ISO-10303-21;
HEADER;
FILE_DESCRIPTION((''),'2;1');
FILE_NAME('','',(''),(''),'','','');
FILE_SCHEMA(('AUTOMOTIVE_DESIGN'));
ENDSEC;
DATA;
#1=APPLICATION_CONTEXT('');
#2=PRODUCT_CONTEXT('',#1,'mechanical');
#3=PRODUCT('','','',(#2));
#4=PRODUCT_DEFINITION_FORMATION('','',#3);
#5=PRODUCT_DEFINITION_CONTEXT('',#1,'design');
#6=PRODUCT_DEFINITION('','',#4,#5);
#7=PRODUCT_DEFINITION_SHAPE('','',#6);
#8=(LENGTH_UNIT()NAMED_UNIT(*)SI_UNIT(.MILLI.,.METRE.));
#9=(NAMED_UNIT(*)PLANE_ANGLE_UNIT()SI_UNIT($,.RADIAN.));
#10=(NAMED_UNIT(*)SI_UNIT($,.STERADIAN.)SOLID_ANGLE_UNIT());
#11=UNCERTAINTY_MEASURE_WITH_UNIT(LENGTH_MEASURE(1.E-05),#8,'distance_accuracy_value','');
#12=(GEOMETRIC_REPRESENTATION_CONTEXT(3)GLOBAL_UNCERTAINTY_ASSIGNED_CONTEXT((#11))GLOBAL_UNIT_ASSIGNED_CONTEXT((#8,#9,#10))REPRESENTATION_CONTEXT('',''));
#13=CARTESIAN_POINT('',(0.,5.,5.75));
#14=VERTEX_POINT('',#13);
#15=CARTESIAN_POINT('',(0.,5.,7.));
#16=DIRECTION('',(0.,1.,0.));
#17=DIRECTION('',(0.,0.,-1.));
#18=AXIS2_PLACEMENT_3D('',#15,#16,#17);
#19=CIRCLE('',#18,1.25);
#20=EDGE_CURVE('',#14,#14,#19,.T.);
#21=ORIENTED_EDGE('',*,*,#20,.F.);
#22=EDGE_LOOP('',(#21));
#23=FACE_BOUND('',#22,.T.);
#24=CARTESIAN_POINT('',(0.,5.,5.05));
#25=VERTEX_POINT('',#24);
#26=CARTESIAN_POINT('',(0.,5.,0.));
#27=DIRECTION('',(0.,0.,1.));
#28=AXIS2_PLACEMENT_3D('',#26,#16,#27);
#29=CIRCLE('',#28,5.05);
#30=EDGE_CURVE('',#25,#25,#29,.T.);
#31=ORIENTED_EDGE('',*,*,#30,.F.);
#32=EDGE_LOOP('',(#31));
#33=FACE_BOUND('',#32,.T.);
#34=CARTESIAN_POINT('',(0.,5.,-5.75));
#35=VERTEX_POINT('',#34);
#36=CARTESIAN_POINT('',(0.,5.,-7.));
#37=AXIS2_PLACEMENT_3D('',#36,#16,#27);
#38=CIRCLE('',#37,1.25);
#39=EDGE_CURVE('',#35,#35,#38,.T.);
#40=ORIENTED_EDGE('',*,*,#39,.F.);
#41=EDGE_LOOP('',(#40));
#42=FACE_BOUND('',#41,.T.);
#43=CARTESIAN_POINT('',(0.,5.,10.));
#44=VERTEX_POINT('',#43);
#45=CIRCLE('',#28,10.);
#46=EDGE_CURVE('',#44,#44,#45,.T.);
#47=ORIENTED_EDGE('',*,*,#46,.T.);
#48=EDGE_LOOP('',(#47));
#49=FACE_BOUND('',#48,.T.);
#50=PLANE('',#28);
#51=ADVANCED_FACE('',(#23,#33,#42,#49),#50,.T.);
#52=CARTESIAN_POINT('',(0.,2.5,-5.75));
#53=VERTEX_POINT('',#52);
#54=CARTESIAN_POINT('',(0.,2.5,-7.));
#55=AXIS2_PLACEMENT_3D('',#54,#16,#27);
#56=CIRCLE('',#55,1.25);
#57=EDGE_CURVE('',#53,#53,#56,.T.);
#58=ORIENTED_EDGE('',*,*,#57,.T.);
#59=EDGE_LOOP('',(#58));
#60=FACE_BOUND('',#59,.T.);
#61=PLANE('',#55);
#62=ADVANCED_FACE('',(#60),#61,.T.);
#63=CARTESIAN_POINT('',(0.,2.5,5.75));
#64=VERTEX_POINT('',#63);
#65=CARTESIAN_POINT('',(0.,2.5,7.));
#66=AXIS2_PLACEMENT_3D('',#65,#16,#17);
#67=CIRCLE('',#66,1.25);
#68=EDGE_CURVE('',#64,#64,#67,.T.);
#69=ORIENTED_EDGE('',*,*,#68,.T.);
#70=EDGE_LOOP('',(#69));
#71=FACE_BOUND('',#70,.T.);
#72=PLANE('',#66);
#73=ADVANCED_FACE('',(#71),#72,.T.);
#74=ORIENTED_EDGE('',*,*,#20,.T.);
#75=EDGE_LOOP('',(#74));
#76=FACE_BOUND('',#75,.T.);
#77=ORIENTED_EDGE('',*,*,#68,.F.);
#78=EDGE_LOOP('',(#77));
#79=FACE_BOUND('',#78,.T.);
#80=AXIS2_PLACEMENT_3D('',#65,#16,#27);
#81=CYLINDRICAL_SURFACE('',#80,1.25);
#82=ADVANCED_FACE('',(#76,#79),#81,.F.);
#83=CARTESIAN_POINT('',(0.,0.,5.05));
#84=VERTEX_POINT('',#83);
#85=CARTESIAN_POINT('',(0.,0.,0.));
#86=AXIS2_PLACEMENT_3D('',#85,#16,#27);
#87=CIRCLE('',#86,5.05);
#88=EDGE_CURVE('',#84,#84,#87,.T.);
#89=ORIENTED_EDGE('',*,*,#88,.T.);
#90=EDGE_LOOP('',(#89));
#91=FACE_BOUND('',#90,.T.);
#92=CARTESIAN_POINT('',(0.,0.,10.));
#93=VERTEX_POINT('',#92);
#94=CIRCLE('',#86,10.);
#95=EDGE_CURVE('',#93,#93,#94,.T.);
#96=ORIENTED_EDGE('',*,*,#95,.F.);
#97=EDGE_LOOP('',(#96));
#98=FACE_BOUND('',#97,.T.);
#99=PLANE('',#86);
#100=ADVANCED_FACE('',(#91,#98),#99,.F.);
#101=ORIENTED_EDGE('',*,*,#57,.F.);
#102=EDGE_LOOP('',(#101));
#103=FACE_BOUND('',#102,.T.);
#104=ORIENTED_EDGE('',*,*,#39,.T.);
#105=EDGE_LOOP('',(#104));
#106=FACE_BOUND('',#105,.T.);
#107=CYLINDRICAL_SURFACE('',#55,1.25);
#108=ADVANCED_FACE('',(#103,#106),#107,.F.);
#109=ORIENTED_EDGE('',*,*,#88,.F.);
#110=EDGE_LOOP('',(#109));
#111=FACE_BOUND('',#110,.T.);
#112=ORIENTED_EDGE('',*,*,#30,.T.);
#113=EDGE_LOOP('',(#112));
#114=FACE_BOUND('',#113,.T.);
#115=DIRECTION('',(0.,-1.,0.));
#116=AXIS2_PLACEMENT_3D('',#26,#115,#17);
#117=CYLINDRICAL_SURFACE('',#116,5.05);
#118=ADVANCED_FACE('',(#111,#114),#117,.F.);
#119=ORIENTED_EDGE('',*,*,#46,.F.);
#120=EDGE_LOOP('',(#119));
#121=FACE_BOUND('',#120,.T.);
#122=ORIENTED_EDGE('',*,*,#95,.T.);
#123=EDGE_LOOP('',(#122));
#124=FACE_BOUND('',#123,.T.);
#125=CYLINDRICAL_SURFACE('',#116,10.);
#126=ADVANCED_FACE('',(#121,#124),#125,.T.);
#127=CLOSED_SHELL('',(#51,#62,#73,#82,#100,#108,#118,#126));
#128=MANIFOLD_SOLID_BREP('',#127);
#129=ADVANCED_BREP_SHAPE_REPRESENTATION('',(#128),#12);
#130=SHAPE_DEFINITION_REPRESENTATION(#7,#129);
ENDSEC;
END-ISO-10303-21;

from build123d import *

# Parameters (mm, degrees)
SKETCH1_R           = 10
SKETCH1_R_2         = 5.05
BOSS_EXTRUDE1_DEPTH = 5
SKETCH2_R           = 1.25
CUT_EXTRUDE1_DEPTH  = 2.5
CIRPATTERN1_COUNT   = 2


with BuildPart() as part:
    # Sketch1 → Boss-Extrude1 (new body)
    with BuildSketch(Plane(origin=(0, 0, 0), x_dir=(1, 0, 0), z_dir=(0, 1, 0))):
        with Locations(Location((0, 0, 0), (0, 0, 270))):
            Circle(SKETCH1_R)
        with Locations(Location((0, 0, 0), (0, 0, 270))):
            Circle(SKETCH1_R_2, mode=Mode.SUBTRACT)
    extrude(amount=BOSS_EXTRUDE1_DEPTH)

    # Sketch2 → Cut-Extrude1 (cut)
    with BuildSketch(Plane(origin=(0, 5, 0), x_dir=(1, 0, 0), z_dir=(0, 1, 0))):
        with Locations(Location((0, 7, 0), (0, 0, 270))):
            Circle(SKETCH2_R)
    cut_extrude1 = extrude(amount=-CUT_EXTRUDE1_DEPTH, mode=Mode.SUBTRACT)

    # CirPattern1: Cut-Extrude1 ×2 about axis
    cirpattern1_axis = Axis((0, 0, 0), (0, 1, 0))
    for i in range(1, CIRPATTERN1_COUNT):
        add(cut_extrude1.rotate(cirpattern1_axis, i * 360 / CIRPATTERN1_COUNT), mode=Mode.SUBTRACT)


solid = part.part
